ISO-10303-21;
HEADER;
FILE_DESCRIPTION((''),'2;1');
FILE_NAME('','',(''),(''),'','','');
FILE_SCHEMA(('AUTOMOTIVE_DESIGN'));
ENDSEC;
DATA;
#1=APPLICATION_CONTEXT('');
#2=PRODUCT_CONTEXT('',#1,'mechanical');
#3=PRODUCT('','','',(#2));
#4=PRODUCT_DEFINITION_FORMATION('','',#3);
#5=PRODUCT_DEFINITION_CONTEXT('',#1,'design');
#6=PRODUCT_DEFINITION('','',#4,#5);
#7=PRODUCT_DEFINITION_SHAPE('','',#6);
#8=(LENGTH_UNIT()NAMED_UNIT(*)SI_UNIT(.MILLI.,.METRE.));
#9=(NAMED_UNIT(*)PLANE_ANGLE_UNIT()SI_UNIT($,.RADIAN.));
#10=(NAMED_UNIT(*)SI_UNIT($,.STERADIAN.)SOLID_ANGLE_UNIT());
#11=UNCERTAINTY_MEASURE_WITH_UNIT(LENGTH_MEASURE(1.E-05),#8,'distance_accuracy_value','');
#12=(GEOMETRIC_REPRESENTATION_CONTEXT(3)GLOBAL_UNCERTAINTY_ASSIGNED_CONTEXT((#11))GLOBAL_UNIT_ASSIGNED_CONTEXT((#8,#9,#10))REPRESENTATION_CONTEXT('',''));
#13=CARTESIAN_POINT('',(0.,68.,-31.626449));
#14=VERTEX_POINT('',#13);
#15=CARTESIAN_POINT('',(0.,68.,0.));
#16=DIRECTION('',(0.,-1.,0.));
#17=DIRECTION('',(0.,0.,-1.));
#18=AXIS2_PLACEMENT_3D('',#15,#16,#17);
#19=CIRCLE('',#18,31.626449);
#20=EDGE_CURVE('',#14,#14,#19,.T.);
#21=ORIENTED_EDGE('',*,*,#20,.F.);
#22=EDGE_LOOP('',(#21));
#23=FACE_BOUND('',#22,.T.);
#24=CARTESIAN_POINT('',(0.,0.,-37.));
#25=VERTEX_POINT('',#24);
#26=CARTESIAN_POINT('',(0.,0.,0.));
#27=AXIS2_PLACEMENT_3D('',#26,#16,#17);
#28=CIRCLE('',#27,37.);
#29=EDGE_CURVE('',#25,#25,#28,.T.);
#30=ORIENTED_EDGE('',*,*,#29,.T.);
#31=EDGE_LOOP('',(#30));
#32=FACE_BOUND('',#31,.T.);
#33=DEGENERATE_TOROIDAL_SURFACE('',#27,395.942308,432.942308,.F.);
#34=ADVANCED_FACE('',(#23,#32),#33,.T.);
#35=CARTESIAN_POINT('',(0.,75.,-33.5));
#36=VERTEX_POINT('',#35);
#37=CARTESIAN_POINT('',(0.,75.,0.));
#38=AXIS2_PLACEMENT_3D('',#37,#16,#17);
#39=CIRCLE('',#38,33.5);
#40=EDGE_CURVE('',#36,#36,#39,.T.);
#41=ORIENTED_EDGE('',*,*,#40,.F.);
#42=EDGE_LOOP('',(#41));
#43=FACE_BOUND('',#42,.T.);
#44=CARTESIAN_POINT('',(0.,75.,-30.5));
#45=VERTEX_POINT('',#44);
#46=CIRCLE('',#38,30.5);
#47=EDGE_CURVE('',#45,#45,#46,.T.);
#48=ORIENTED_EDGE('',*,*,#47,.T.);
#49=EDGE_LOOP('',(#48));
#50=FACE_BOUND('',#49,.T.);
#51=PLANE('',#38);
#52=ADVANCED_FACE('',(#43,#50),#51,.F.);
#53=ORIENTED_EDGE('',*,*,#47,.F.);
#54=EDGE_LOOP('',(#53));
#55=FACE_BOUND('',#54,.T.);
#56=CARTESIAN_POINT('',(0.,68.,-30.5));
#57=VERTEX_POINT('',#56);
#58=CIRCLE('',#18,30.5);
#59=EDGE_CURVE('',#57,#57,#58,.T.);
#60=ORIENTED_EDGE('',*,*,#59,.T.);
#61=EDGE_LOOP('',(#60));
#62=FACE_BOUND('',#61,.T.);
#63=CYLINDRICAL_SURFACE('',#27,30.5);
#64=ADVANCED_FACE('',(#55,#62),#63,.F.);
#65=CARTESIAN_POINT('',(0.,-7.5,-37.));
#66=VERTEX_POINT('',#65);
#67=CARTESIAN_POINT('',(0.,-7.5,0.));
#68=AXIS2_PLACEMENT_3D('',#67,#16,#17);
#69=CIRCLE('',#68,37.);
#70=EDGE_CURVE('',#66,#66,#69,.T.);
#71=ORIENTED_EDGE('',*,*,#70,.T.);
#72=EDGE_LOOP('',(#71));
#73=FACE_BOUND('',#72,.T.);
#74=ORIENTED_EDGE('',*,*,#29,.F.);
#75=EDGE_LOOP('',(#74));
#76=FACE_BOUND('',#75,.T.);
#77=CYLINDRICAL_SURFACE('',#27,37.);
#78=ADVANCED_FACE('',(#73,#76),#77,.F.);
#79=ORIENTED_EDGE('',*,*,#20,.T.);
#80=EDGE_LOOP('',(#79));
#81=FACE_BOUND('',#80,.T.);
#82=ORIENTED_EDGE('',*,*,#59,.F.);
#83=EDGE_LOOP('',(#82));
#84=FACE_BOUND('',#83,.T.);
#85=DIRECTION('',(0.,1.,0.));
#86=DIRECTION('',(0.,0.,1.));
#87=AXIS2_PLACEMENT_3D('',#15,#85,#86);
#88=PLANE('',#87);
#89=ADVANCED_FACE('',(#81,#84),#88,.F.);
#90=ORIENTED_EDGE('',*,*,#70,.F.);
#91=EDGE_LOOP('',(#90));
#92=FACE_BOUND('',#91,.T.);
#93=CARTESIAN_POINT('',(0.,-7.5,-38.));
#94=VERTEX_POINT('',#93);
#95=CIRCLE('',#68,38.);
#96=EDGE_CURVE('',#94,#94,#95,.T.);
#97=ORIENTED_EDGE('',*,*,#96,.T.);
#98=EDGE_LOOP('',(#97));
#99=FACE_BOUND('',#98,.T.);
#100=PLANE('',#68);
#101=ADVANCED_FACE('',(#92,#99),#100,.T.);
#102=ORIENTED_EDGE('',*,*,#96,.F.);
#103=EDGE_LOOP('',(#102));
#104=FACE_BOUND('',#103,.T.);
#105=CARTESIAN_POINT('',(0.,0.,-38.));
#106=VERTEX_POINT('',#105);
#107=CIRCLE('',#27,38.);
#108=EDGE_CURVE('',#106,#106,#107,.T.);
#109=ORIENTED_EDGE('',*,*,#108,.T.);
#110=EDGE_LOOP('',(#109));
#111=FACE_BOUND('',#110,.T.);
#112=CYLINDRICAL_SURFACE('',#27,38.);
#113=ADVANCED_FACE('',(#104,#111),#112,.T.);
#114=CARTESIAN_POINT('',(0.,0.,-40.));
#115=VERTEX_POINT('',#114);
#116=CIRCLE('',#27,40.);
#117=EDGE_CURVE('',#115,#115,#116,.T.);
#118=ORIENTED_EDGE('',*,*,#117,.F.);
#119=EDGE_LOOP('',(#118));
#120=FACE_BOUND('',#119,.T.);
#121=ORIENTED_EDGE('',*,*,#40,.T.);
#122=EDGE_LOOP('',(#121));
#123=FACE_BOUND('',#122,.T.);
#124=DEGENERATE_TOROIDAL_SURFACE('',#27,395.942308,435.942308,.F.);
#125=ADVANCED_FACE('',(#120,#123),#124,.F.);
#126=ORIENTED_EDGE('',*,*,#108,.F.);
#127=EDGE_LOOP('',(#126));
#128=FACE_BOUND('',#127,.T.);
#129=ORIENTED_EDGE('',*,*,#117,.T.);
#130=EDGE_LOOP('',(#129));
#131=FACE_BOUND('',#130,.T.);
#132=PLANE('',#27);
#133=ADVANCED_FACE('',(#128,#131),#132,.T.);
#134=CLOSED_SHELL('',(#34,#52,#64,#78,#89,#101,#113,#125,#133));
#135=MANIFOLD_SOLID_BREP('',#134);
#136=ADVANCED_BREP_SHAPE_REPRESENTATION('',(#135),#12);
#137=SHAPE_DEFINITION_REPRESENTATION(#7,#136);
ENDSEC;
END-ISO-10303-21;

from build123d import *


with BuildPart() as part:
    # Sketch1 → Revolve1 (revolve)
    with BuildSketch(Plane.XY, mode=Mode.PRIVATE) as revolve1_sk:
        with BuildLine():
            Line((37, 0), (37, -7.5))
            Line((37, -7.5), (38, -7.5))
            Line((38, -7.5), (38, 0))
            Line((38, 0), (40, 0))
            ThreePointArc((40, 0), (38.371960017, 37.640569868), (33.5, 75))
            Line((33.5, 75), (30.5, 75))
            Line((30.5, 75), (30.5, 68))
            Line((30.5, 68), (31.626449106, 68))
            ThreePointArc((31.626449106, 68), (35.654521568, 34.105993056), (37, 0))
        make_face()
    revolve(revolve1_sk.sketch.rotate(Axis((0, 0, 0), (0, 1, 0)), 90), axis=Axis((0, 0, 0), (0, 1, 0)))


solid = part.part
